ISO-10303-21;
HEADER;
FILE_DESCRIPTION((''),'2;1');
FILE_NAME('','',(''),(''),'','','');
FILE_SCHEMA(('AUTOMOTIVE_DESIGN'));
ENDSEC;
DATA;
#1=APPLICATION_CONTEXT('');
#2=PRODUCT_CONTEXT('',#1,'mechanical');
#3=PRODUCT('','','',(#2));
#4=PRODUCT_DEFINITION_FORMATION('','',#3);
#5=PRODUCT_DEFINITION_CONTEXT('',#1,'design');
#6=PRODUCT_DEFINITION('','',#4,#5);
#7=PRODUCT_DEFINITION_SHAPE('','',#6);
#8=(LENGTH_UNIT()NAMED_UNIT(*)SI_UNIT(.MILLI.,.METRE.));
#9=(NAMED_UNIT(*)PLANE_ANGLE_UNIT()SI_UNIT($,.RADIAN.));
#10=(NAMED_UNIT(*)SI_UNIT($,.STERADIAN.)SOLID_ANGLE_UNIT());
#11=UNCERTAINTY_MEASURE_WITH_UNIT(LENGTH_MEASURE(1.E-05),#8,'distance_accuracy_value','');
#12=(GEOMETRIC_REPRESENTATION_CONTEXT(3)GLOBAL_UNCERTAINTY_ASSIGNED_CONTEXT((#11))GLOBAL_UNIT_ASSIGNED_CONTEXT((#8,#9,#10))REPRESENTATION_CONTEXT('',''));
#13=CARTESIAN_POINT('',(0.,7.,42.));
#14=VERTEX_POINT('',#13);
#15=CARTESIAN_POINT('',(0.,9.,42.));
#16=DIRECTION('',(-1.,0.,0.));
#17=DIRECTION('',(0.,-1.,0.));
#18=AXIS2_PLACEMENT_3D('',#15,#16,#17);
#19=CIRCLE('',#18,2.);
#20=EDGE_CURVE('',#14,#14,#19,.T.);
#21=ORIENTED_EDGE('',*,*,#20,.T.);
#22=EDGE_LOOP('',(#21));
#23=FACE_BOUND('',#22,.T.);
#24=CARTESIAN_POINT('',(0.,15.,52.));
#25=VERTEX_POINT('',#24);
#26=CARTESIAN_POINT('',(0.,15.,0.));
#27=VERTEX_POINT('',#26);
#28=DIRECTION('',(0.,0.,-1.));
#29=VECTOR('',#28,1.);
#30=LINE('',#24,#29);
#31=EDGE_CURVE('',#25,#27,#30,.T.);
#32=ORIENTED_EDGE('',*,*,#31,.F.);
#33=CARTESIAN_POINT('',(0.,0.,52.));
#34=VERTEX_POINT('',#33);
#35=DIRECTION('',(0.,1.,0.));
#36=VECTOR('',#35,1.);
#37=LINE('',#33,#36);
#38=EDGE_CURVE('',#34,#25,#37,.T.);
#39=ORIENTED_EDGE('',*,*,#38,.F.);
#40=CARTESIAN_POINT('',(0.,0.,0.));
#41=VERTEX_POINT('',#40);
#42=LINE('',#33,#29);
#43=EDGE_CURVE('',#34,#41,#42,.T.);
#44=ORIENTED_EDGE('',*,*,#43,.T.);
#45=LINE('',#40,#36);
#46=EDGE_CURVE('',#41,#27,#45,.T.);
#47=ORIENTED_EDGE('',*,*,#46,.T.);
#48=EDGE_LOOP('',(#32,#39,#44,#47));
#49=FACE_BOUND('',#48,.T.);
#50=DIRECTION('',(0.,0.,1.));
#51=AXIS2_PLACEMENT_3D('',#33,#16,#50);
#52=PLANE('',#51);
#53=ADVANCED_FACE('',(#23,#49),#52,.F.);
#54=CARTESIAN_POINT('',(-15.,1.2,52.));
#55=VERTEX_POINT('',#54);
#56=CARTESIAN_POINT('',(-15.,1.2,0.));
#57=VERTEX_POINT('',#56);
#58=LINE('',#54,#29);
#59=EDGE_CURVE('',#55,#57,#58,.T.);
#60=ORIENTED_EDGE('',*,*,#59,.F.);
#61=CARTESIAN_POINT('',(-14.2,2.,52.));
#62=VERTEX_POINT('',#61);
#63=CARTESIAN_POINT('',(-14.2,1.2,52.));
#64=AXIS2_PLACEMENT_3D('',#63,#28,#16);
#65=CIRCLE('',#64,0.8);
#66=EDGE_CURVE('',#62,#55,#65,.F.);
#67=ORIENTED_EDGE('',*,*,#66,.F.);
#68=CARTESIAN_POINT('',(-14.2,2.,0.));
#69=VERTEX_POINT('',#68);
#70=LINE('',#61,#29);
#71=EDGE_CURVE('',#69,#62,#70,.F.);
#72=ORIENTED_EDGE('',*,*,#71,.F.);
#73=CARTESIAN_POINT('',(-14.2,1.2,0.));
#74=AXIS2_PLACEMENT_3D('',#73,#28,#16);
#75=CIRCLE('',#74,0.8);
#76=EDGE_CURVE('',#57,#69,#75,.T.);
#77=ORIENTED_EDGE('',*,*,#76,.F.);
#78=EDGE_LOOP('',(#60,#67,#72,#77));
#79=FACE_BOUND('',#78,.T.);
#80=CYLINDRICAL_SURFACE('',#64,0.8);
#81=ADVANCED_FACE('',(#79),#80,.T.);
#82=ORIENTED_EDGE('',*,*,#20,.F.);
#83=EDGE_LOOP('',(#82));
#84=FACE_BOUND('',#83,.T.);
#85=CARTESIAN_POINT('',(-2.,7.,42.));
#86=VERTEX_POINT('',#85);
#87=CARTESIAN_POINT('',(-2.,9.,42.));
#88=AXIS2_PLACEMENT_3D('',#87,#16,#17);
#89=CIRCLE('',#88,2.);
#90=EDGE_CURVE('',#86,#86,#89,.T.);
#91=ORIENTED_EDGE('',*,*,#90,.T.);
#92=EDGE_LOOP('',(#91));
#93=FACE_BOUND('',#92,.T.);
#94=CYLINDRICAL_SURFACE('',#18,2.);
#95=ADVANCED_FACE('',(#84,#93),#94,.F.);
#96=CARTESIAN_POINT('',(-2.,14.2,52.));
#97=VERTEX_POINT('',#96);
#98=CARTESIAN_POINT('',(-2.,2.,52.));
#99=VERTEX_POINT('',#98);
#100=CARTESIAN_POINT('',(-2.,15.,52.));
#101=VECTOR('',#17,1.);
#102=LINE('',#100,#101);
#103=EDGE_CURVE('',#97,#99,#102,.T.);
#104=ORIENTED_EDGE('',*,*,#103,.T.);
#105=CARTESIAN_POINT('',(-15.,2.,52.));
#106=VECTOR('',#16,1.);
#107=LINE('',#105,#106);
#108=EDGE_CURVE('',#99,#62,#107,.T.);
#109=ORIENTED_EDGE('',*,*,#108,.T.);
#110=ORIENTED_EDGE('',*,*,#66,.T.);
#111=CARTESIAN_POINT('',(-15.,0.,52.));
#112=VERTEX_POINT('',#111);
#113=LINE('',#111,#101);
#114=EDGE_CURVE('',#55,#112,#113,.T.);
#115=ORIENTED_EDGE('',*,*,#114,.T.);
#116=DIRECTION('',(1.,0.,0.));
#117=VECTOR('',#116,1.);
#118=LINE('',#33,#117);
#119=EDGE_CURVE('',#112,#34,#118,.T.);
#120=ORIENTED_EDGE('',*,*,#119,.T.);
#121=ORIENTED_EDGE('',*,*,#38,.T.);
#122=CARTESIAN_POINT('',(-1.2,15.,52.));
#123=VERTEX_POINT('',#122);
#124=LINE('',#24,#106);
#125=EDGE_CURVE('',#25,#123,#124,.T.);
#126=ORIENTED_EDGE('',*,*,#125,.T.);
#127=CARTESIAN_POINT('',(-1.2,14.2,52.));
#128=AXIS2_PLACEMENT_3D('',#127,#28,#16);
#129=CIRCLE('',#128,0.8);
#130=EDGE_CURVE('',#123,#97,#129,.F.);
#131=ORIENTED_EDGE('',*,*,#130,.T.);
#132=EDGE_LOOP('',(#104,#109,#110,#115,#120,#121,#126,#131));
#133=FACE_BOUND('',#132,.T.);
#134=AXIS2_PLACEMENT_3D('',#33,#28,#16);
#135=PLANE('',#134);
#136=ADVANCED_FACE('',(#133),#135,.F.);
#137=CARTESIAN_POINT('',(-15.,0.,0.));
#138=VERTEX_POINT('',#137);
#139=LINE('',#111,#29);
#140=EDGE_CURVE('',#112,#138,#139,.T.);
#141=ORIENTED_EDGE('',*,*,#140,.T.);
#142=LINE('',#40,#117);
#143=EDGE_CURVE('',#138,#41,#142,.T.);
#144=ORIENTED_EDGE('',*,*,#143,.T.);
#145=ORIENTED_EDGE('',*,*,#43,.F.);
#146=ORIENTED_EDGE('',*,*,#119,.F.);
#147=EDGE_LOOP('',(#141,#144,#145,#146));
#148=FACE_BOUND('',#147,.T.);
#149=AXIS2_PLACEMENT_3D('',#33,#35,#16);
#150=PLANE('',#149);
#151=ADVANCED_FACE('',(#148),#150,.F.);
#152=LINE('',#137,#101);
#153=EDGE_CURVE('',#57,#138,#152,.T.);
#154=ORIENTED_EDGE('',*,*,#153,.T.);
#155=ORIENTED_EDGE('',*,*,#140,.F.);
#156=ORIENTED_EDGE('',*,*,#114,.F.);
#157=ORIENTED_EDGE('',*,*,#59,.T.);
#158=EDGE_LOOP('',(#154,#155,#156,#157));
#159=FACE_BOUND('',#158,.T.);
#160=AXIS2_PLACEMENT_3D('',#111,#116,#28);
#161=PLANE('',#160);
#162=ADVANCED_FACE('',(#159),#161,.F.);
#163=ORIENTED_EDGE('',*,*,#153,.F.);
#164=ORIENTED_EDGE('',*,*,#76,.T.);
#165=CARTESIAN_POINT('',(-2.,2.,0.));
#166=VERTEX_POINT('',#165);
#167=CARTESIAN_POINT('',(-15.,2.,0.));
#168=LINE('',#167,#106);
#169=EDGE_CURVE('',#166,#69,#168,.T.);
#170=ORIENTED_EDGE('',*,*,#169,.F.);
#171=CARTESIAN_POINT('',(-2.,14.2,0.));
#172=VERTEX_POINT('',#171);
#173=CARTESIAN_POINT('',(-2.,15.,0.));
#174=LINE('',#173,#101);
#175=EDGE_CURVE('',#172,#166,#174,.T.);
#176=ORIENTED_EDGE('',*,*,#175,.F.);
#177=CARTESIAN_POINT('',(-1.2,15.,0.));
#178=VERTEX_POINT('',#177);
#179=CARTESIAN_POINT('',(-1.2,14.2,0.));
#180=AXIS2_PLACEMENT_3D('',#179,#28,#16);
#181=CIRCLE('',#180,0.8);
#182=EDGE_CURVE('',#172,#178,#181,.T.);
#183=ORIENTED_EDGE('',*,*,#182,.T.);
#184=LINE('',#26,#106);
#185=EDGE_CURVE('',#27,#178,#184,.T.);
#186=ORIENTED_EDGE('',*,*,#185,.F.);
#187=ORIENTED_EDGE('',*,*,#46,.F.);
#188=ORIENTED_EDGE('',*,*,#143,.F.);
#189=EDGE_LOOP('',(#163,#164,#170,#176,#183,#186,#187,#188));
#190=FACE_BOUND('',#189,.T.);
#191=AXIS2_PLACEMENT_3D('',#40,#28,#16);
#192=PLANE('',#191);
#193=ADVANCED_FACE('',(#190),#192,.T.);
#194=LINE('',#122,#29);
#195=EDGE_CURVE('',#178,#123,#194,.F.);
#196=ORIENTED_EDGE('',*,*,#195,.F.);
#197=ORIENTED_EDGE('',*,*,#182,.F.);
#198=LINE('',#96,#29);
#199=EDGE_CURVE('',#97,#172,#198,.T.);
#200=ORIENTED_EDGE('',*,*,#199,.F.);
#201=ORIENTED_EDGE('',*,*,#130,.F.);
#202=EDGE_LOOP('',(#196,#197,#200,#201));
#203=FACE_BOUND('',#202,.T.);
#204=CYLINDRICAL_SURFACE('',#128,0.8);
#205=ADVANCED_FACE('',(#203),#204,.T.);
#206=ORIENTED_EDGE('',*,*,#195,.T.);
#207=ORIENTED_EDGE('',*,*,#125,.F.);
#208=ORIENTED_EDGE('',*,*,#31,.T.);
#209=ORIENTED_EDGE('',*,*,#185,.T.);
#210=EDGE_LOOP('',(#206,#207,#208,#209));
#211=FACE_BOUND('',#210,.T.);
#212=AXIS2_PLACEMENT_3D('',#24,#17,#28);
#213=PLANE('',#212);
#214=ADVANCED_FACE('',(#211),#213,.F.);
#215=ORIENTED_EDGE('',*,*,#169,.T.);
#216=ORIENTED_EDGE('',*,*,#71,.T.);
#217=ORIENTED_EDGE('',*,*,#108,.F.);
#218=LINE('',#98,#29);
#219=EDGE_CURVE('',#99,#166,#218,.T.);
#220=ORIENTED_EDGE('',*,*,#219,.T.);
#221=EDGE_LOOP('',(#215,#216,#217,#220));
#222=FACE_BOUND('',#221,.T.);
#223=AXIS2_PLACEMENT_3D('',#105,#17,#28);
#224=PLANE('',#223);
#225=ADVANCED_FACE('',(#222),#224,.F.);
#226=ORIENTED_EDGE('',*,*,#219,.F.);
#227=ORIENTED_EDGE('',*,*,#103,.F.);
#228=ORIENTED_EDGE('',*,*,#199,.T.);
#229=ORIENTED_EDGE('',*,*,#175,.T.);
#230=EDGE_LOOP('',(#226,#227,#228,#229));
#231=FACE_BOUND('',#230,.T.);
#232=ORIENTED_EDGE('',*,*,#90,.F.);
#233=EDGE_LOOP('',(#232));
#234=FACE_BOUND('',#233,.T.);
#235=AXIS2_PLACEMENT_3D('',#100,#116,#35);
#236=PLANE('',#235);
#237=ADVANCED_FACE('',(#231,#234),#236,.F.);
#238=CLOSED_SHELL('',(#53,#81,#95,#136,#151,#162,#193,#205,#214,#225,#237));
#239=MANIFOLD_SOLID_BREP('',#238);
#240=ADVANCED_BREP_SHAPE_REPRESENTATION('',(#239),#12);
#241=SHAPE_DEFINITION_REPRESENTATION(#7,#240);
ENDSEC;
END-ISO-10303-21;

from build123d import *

# Parameters (mm, degrees)
EXTRUDE_1_DEPTH     = 52
FILLET_1_R          = 0.8
SKETCH_3_R          = 2
CUT_EXTRUDE_2_DEPTH = 2


with BuildPart() as part:
    # 草图1 → 凸台-拉伸1 (new body)
    with BuildSketch(Plane.XY):
        Polygon((0, 0), (0, 15), (-2, 15), (-2, 2), (-15, 2), (-15, 0), align=None)
    extrude(amount=EXTRUDE_1_DEPTH)

    # 圆角1
    fillet_1_edges = [part.edges().sort_by_distance(p)[0] for p in [
        (-15, 2, 26),
        (-2, 15, 26),
    ]]
    fillet(fillet_1_edges, radius=FILLET_1_R)

    # 草图3 → 切除-拉伸2 (cut)
    with BuildSketch(Plane.ZY.offset(2)):
        with Locations((42, 9)):
            Circle(SKETCH_3_R)
    extrude(amount=-CUT_EXTRUDE_2_DEPTH, mode=Mode.SUBTRACT)


solid = part.part
